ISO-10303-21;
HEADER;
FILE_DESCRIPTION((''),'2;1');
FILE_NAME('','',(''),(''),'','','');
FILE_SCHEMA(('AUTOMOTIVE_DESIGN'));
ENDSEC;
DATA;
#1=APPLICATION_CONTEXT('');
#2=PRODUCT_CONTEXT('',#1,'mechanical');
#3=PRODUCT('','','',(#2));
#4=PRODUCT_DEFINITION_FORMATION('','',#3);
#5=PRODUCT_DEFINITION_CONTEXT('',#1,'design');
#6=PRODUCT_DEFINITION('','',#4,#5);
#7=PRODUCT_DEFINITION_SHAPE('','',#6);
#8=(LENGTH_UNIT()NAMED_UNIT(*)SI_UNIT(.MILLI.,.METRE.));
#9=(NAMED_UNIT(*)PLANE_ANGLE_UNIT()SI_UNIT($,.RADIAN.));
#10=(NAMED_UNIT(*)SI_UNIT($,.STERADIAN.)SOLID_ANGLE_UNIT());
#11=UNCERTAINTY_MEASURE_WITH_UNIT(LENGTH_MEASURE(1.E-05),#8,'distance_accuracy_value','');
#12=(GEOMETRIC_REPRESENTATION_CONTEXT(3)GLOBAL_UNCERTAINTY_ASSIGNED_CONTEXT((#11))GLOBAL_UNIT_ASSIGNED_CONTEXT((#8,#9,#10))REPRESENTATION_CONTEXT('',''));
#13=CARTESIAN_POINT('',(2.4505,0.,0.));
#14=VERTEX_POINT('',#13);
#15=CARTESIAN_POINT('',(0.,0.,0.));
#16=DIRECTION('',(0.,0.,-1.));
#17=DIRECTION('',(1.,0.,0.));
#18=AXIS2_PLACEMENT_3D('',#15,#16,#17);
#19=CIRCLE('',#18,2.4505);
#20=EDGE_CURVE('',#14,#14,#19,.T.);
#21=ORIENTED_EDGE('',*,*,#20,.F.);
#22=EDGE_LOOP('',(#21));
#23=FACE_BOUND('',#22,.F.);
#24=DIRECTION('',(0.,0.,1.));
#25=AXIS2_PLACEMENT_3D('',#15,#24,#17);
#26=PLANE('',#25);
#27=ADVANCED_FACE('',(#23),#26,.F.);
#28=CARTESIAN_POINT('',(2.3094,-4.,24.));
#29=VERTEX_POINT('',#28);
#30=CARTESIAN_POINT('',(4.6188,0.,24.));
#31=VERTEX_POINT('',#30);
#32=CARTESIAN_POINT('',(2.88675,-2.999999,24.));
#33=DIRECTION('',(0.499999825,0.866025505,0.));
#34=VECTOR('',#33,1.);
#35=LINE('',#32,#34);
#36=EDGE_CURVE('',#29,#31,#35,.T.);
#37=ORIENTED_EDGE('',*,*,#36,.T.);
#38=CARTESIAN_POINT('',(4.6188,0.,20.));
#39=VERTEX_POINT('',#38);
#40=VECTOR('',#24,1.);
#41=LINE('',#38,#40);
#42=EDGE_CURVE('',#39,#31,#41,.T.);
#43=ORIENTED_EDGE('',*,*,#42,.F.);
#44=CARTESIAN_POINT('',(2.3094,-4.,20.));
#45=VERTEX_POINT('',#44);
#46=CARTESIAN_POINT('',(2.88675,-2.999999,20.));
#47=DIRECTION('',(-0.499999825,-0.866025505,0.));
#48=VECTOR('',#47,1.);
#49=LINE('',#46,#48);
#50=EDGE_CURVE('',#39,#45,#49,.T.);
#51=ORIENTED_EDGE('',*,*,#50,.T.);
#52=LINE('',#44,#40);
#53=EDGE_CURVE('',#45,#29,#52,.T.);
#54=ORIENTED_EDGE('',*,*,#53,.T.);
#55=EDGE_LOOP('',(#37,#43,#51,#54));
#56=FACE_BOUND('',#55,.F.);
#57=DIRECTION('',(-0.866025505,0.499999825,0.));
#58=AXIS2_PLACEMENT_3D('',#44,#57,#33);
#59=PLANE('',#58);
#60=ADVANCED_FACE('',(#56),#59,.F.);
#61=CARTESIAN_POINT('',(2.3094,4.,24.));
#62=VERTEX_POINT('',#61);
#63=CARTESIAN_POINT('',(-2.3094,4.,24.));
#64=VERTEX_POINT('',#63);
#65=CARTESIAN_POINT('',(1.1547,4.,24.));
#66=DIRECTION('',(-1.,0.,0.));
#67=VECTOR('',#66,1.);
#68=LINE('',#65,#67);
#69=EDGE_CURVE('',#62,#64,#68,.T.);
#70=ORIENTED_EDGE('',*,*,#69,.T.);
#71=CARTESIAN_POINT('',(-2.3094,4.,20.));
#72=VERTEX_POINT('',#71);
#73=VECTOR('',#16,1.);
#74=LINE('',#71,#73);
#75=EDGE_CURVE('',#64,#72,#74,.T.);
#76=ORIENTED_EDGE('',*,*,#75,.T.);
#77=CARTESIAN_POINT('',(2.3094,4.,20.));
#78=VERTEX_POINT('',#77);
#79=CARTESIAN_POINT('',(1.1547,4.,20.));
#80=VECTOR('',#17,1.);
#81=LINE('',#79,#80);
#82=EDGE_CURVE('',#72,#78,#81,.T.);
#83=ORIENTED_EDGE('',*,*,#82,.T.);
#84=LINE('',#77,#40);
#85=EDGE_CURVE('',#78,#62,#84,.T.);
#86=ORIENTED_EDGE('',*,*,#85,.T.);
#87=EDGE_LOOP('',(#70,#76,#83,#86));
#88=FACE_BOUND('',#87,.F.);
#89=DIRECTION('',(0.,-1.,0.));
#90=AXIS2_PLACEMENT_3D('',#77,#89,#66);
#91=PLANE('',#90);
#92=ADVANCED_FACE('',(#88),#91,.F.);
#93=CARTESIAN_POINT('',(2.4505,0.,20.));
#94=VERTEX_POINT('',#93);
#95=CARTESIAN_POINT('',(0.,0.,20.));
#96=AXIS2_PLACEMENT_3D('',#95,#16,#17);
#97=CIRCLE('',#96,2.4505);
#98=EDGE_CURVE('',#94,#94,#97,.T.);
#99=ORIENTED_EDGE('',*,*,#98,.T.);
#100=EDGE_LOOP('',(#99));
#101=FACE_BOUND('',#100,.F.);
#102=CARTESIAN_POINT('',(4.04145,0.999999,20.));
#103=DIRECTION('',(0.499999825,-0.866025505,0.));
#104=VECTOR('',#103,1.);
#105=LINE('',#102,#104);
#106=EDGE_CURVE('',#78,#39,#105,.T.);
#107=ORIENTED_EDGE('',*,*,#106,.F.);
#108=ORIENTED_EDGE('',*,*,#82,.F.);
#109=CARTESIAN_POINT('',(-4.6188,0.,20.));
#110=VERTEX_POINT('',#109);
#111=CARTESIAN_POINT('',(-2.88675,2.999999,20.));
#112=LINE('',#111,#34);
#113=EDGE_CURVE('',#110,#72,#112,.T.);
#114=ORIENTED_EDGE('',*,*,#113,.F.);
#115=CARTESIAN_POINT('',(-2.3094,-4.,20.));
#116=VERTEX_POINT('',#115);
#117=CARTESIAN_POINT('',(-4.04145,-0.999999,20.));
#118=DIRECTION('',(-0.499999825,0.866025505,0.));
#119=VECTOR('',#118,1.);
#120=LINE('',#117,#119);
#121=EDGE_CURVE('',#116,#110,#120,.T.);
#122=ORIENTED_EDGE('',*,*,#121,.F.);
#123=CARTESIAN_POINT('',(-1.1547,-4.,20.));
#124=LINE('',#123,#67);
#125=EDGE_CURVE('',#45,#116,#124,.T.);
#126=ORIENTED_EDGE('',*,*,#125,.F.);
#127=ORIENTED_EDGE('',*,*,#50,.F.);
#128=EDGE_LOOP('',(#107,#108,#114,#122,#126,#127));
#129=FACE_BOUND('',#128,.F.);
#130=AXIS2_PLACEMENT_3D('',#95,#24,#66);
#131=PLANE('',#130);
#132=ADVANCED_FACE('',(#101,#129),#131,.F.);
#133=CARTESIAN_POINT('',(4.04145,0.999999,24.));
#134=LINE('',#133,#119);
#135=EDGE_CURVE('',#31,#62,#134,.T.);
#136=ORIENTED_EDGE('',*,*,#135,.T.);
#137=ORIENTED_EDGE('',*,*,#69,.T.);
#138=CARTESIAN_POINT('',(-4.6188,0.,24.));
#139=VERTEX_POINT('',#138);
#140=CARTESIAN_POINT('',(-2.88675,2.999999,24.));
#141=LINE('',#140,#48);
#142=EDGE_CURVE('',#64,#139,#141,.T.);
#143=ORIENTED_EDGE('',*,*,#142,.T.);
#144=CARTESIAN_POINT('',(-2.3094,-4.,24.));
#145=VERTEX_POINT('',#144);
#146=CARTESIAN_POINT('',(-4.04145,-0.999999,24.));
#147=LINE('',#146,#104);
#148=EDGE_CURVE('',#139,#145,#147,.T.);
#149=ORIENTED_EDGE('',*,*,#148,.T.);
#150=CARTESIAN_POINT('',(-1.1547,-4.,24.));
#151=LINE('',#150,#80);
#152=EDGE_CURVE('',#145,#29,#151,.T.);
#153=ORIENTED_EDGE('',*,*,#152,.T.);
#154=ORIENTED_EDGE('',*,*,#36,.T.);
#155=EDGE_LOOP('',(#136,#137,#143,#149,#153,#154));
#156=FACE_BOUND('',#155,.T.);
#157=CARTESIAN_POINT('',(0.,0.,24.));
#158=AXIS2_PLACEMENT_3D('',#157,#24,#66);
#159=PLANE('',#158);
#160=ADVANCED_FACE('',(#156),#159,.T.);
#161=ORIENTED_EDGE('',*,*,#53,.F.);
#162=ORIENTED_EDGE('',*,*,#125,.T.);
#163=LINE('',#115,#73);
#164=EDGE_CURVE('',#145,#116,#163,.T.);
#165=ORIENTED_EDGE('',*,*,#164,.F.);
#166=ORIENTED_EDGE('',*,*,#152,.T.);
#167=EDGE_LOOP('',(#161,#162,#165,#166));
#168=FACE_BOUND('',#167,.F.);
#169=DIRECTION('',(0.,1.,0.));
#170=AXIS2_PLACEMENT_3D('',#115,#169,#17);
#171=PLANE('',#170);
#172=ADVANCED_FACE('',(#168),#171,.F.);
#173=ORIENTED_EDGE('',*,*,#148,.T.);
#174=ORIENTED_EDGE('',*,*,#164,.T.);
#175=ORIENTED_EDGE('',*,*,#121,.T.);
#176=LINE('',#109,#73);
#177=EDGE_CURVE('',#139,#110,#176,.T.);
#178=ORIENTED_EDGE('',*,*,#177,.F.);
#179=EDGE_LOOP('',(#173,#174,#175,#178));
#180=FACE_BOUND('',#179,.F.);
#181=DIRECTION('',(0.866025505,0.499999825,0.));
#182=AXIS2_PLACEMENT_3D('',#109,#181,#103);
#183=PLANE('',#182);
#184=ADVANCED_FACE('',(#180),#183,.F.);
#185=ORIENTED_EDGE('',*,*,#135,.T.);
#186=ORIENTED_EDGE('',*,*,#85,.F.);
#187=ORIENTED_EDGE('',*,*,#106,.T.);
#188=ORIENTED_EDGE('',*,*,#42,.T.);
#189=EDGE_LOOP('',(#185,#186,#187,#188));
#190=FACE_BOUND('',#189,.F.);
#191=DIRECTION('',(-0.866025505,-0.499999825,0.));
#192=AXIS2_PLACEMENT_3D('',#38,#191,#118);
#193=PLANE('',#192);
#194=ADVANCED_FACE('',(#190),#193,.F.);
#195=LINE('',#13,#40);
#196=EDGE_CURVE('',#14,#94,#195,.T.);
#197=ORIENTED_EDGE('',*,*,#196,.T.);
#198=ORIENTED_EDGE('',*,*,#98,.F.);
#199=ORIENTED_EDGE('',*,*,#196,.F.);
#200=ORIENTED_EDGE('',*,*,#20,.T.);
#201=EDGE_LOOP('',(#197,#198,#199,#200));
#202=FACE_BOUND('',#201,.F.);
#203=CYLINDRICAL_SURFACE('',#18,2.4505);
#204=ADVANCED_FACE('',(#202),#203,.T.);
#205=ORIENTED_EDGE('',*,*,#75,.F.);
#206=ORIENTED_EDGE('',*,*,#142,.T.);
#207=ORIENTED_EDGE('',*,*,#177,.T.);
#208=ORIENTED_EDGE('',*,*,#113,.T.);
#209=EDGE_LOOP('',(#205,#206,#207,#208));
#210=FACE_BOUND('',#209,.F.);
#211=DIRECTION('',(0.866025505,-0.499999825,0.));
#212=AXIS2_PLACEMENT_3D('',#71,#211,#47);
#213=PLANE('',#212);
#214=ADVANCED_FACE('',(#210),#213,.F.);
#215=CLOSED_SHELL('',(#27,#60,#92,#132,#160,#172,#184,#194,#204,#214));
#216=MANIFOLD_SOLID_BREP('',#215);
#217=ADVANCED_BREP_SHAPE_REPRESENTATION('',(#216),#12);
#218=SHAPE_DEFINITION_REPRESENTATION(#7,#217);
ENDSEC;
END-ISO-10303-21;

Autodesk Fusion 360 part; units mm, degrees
sketch "Sketch1" plane through (0, 0, 0) normal (0, 0, 1) x (1, 0, 0)
  circle A0 centre (0, 0) radius 2.5
  dimension "d1" = 5
extrude "Extrude1" add sketch "Sketch1" along normal blind 20
sketch "Sketch2" plane through (0, 0, 20) normal (0, 0, 1) x (-1, 0, 0)
  circle A0 centre (0, 0) radius 2.5
  line L0 (-2.3094, 4) -> (-4.6188, 0)
  line L1 (-4.6188, 0) -> (-2.3094, -4)
  line L2 (-2.3094, -4) -> (2.3094, -4)
  line L3 (2.3094, -4) -> (4.6188, 0)
  line L4 (4.6188, 0) -> (2.3094, 4)
  line L5 (2.3094, 4) -> (-2.3094, 4)
  dimension "d4" = 4
extrude "Extrude2" add sketch "Sketch2" along normal blind 4 contours A0 | L0 L1 L2 L3 L4 L5
thread "Thread1" "ISO Metric profile 5.0 M5x0.8 6g" major diameter 4.901 minor diameter 3.9895 pitch 0.8 angle 60 resizes the face on face at (2.4969, -0.1246, 13.3333)
